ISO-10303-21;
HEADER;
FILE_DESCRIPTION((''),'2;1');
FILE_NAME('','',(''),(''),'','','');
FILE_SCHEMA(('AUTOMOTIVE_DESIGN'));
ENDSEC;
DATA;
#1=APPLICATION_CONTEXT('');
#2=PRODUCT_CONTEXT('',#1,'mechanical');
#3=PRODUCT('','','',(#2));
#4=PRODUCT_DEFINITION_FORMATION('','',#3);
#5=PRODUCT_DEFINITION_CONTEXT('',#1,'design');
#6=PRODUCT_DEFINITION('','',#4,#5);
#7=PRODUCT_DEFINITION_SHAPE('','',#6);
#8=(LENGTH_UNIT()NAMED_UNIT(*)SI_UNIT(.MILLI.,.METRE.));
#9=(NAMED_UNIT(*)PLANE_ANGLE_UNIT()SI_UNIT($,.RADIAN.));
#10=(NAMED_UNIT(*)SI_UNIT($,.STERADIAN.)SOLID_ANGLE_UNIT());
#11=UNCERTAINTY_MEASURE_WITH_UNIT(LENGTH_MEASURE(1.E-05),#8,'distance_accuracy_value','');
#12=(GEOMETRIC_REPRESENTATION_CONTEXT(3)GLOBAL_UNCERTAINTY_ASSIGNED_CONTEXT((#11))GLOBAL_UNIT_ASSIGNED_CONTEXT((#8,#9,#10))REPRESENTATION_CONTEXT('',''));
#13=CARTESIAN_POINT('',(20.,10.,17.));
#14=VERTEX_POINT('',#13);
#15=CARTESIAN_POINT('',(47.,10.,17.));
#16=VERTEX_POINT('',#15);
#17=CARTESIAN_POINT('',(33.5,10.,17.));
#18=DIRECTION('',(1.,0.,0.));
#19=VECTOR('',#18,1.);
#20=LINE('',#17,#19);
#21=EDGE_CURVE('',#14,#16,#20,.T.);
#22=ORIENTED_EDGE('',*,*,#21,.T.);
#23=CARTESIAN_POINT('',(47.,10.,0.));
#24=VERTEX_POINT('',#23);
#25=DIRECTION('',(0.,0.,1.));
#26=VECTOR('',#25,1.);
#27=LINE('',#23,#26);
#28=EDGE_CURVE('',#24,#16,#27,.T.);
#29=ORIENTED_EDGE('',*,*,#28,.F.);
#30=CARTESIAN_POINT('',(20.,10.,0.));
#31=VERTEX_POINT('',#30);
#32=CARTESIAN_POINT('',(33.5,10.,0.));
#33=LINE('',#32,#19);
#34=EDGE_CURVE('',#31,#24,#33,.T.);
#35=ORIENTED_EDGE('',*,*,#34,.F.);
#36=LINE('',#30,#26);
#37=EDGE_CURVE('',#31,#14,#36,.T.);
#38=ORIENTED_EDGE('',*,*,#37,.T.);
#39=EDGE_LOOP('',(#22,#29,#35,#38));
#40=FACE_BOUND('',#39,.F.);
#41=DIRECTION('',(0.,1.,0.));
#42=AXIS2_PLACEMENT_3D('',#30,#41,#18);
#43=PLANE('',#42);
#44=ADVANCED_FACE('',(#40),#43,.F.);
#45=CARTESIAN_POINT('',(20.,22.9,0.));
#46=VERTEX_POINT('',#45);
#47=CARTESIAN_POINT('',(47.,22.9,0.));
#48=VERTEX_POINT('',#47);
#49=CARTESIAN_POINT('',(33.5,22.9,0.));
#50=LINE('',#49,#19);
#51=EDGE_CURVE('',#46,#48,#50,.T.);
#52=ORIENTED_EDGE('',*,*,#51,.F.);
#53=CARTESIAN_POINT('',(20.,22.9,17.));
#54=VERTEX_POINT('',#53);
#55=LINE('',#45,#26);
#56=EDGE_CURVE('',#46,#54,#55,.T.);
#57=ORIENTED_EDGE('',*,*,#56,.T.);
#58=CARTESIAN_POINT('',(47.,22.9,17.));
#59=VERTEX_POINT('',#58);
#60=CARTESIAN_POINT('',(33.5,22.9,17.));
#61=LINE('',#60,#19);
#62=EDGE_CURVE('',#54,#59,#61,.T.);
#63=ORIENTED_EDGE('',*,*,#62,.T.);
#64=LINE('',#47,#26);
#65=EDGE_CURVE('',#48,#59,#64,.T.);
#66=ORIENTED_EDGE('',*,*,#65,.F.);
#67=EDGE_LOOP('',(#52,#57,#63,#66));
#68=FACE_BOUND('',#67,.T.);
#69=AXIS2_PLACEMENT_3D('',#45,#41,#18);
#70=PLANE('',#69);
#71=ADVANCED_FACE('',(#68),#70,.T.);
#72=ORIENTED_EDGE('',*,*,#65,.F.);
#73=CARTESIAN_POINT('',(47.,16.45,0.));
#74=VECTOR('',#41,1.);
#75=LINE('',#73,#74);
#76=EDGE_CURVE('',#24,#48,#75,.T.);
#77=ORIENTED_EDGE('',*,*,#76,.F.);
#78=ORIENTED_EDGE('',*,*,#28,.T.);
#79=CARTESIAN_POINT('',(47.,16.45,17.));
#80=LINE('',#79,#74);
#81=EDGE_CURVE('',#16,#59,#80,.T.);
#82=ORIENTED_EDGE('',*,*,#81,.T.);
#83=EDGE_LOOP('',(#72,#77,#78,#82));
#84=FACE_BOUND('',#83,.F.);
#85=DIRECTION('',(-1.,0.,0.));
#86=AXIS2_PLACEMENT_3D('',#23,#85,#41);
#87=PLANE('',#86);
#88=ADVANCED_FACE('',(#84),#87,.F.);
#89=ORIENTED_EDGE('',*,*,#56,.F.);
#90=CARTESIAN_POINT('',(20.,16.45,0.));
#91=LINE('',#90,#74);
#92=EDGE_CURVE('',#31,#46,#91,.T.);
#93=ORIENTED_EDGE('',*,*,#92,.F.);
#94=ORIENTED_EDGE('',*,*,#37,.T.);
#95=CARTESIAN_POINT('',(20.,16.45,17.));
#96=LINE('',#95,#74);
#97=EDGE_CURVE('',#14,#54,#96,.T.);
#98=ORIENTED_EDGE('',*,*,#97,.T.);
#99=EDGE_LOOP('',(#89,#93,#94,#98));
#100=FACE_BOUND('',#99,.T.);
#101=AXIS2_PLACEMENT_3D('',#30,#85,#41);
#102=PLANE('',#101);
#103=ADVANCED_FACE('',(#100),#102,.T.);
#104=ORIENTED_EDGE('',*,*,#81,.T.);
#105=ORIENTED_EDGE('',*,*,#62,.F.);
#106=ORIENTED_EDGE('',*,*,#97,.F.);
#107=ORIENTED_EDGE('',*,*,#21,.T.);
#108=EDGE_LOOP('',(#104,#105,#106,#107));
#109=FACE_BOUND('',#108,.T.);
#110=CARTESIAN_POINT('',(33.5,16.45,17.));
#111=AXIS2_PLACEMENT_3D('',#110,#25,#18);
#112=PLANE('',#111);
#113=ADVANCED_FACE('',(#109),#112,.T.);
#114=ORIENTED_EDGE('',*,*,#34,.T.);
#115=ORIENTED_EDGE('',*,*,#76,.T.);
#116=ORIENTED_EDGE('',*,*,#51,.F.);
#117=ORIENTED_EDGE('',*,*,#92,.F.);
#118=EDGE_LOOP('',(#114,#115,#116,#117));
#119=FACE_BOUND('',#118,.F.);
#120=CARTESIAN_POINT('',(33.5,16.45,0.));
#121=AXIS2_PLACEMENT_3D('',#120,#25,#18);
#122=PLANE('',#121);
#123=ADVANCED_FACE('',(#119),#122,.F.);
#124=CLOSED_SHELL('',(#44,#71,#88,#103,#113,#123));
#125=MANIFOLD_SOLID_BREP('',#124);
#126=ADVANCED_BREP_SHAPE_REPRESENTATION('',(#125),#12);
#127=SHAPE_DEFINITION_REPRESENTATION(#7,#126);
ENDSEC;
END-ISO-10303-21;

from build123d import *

# Parameters (mm, degrees)
SKETCH_W  = 27
SKETCH_H  = 12.9
PAD_DEPTH = 17


with BuildPart() as part:
    # Sketch → Pad (new body)
    with BuildSketch(Plane.XY):
        with Locations((33.5, 16.45)):
            Rectangle(SKETCH_W, SKETCH_H)
    extrude(amount=PAD_DEPTH)


solid = part.part
